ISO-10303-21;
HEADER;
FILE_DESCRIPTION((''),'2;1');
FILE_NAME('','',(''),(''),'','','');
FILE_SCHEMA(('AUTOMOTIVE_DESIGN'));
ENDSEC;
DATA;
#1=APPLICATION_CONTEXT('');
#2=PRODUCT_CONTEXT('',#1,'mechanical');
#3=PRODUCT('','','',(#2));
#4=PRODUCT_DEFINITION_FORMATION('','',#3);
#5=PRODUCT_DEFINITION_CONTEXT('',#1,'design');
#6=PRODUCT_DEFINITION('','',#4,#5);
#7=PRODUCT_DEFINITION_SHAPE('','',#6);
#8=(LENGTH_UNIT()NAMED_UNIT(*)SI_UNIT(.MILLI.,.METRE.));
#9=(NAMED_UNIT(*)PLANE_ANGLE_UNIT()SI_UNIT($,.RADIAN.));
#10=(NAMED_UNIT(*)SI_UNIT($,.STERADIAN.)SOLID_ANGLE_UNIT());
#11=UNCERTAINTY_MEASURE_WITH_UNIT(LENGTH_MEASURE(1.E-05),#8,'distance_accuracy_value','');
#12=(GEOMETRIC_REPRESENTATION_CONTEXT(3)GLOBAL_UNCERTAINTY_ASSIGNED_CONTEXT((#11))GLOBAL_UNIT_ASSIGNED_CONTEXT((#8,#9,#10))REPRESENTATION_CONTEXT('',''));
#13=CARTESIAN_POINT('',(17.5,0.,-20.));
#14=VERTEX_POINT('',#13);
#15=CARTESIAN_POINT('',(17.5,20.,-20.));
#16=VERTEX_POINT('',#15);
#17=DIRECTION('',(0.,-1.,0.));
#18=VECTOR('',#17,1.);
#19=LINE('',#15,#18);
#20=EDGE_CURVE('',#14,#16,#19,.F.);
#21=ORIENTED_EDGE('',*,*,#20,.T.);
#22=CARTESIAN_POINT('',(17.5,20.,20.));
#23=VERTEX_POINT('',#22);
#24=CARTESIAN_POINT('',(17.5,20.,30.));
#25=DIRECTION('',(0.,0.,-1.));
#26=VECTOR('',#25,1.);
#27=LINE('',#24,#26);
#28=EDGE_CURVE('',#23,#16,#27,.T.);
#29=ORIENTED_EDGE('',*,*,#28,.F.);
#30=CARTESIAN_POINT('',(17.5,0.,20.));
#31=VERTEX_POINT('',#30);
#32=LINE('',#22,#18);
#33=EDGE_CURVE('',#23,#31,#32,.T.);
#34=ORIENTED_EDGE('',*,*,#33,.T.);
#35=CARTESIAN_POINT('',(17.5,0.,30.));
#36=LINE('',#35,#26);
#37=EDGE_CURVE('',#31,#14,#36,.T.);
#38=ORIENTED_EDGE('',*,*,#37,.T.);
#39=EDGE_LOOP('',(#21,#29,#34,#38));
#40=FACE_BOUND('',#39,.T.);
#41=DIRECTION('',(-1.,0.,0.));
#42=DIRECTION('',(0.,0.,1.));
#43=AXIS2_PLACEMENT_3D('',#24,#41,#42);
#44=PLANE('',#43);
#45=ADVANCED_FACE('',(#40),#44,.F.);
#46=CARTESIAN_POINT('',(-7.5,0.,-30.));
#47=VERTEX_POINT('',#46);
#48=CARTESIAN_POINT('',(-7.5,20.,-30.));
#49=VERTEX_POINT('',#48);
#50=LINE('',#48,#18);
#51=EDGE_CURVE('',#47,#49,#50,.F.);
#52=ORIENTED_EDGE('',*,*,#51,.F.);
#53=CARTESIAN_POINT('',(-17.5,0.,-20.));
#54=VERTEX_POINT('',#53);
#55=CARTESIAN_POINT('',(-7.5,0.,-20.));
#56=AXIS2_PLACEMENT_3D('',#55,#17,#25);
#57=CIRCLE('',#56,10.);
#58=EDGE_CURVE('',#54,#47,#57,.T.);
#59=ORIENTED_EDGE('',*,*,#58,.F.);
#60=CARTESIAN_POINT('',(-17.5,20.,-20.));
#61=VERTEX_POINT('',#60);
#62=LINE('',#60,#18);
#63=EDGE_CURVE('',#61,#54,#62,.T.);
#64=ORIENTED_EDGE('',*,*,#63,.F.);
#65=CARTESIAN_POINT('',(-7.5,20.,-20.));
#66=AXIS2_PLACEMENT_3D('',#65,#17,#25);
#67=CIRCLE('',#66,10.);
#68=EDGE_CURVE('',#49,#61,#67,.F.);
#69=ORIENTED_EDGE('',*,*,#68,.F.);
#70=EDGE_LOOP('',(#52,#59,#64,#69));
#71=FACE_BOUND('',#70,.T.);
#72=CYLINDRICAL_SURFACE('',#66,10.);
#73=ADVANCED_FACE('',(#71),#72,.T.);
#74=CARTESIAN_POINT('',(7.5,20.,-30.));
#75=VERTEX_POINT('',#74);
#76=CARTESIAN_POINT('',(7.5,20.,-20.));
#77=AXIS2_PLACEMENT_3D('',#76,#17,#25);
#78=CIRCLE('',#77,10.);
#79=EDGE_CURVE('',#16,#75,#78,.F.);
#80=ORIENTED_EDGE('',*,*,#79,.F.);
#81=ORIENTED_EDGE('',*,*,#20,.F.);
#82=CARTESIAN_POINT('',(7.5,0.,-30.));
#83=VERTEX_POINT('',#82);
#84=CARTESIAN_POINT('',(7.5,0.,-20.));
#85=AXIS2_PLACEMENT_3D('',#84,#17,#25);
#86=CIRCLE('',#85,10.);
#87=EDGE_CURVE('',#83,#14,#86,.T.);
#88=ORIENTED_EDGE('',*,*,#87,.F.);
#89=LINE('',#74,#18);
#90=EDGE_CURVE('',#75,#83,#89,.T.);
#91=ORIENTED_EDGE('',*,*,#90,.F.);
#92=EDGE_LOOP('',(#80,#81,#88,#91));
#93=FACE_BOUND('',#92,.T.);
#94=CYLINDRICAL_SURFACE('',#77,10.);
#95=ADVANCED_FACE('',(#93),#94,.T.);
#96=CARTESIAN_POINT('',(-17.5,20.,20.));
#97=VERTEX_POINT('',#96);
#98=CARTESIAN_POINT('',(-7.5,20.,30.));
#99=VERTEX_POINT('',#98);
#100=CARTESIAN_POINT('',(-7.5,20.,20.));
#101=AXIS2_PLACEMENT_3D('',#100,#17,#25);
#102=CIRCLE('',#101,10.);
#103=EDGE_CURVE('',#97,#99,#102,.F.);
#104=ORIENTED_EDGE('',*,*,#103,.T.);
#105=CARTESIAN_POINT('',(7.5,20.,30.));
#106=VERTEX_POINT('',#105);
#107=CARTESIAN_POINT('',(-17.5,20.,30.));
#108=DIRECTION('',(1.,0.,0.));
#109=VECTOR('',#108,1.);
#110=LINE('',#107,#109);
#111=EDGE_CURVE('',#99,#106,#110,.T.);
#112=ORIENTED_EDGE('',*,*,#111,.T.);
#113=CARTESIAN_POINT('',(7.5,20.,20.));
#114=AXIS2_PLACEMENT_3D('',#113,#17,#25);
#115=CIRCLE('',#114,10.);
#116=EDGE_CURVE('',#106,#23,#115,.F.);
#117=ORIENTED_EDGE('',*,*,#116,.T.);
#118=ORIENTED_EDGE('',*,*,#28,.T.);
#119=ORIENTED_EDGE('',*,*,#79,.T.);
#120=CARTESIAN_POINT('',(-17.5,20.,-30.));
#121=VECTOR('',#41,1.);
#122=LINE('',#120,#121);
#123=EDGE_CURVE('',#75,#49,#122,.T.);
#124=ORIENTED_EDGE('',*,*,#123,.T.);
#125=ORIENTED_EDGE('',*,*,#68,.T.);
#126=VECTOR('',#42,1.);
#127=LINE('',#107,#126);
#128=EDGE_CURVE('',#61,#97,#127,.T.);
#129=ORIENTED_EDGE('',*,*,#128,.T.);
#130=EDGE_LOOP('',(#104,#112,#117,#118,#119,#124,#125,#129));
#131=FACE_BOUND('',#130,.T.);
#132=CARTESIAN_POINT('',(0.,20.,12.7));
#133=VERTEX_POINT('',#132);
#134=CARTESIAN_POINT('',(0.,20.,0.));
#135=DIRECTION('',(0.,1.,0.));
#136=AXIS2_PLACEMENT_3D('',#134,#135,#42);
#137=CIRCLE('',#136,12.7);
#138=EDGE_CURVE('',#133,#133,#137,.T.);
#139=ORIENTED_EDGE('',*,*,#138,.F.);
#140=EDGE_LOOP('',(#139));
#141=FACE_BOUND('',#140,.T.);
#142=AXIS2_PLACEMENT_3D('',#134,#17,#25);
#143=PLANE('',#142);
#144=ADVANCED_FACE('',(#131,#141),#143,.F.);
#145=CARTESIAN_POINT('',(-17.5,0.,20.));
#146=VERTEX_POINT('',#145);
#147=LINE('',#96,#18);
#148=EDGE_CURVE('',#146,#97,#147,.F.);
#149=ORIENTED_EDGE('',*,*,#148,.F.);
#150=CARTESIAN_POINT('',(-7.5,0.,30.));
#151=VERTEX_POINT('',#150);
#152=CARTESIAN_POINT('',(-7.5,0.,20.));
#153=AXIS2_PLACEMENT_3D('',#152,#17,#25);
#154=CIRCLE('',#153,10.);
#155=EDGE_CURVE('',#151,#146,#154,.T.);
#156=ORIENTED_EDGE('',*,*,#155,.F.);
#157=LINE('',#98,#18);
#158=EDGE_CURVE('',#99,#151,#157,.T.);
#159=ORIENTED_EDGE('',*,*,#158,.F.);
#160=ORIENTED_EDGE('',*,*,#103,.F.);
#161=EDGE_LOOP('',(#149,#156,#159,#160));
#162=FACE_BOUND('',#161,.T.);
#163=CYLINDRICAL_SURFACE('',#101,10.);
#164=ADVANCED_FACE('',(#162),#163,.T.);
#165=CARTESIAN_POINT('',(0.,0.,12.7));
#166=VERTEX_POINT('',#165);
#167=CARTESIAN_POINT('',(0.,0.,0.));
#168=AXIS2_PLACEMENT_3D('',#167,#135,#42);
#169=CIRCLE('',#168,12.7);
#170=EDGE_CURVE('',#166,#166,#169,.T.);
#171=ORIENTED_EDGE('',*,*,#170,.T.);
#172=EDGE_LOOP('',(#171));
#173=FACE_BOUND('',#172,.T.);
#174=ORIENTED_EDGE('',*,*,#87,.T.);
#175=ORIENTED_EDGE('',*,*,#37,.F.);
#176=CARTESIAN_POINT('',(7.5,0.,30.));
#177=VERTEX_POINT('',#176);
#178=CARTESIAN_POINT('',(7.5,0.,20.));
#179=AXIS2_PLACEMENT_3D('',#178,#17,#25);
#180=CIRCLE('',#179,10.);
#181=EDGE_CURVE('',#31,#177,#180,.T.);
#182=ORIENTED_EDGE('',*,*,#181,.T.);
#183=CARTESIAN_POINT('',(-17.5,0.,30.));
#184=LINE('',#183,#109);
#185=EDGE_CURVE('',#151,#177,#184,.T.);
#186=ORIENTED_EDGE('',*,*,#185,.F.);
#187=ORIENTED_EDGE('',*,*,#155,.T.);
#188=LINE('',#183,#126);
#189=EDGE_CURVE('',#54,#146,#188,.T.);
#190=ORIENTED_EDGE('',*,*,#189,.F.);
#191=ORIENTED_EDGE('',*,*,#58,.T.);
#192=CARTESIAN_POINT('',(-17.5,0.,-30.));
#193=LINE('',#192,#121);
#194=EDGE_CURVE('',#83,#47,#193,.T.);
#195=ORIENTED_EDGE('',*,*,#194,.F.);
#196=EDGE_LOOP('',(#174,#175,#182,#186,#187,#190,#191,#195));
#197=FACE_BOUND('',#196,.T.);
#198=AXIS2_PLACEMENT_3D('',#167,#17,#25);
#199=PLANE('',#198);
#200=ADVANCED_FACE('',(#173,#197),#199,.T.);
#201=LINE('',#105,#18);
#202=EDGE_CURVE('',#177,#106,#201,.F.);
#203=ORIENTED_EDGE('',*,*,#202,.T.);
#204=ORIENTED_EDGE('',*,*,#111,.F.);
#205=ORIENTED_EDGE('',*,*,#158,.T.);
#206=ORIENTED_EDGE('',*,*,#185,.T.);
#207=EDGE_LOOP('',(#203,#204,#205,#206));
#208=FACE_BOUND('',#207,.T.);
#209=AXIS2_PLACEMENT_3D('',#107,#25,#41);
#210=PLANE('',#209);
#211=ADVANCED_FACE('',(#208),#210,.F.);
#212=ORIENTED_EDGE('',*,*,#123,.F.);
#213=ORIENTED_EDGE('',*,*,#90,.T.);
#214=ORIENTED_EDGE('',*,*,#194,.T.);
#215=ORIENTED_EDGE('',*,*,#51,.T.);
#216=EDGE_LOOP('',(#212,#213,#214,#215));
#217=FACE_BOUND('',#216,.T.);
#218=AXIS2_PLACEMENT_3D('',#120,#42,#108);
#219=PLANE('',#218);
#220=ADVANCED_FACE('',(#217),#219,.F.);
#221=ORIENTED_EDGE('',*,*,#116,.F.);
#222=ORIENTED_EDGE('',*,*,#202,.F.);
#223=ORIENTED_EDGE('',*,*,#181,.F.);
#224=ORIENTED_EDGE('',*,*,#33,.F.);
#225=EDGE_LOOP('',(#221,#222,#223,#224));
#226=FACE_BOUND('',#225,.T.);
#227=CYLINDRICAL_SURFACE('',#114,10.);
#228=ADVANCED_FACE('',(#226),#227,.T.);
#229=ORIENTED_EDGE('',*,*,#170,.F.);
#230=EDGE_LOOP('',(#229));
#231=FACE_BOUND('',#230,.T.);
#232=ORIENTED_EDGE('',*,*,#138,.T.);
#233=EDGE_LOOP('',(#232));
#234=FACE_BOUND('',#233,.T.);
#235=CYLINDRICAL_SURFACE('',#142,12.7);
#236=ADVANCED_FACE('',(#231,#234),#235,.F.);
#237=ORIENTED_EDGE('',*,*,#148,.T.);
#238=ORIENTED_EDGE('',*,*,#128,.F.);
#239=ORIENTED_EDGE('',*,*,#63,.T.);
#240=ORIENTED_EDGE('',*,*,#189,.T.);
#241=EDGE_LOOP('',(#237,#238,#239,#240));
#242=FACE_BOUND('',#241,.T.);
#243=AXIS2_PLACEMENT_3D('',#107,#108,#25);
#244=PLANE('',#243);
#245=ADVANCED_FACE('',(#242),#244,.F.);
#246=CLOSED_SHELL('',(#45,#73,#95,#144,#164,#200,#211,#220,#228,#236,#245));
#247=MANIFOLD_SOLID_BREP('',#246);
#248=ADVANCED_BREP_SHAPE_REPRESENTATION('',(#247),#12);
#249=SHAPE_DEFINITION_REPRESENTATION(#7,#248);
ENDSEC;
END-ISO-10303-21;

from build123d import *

# Parameters (mm, degrees)
SKETCH1_W           = 35
SKETCH1_H           = 60
SKETCH1_R           = 12.7
BOSS_EXTRUDE1_DEPTH = 20
FILLET1_R           = 10


with BuildPart() as part:
    # Sketch1 → Boss-Extrude1 (new body)
    with BuildSketch(Plane(origin=(0, 0, 0), x_dir=(1, 0, 0), z_dir=(0, 1, 0))):
        Rectangle(SKETCH1_W, SKETCH1_H)
        Circle(SKETCH1_R, mode=Mode.SUBTRACT)
    extrude(amount=BOSS_EXTRUDE1_DEPTH)

    # Fillet1
    fillet1_edges = [part.edges().sort_by_distance(p)[0] for p in [
        (17.5, 10, 30),
        (-17.5, 10, 30),
        (-17.5, 10, -30),
        (17.5, 10, -30),
    ]]
    fillet(fillet1_edges, radius=FILLET1_R)


solid = part.part
